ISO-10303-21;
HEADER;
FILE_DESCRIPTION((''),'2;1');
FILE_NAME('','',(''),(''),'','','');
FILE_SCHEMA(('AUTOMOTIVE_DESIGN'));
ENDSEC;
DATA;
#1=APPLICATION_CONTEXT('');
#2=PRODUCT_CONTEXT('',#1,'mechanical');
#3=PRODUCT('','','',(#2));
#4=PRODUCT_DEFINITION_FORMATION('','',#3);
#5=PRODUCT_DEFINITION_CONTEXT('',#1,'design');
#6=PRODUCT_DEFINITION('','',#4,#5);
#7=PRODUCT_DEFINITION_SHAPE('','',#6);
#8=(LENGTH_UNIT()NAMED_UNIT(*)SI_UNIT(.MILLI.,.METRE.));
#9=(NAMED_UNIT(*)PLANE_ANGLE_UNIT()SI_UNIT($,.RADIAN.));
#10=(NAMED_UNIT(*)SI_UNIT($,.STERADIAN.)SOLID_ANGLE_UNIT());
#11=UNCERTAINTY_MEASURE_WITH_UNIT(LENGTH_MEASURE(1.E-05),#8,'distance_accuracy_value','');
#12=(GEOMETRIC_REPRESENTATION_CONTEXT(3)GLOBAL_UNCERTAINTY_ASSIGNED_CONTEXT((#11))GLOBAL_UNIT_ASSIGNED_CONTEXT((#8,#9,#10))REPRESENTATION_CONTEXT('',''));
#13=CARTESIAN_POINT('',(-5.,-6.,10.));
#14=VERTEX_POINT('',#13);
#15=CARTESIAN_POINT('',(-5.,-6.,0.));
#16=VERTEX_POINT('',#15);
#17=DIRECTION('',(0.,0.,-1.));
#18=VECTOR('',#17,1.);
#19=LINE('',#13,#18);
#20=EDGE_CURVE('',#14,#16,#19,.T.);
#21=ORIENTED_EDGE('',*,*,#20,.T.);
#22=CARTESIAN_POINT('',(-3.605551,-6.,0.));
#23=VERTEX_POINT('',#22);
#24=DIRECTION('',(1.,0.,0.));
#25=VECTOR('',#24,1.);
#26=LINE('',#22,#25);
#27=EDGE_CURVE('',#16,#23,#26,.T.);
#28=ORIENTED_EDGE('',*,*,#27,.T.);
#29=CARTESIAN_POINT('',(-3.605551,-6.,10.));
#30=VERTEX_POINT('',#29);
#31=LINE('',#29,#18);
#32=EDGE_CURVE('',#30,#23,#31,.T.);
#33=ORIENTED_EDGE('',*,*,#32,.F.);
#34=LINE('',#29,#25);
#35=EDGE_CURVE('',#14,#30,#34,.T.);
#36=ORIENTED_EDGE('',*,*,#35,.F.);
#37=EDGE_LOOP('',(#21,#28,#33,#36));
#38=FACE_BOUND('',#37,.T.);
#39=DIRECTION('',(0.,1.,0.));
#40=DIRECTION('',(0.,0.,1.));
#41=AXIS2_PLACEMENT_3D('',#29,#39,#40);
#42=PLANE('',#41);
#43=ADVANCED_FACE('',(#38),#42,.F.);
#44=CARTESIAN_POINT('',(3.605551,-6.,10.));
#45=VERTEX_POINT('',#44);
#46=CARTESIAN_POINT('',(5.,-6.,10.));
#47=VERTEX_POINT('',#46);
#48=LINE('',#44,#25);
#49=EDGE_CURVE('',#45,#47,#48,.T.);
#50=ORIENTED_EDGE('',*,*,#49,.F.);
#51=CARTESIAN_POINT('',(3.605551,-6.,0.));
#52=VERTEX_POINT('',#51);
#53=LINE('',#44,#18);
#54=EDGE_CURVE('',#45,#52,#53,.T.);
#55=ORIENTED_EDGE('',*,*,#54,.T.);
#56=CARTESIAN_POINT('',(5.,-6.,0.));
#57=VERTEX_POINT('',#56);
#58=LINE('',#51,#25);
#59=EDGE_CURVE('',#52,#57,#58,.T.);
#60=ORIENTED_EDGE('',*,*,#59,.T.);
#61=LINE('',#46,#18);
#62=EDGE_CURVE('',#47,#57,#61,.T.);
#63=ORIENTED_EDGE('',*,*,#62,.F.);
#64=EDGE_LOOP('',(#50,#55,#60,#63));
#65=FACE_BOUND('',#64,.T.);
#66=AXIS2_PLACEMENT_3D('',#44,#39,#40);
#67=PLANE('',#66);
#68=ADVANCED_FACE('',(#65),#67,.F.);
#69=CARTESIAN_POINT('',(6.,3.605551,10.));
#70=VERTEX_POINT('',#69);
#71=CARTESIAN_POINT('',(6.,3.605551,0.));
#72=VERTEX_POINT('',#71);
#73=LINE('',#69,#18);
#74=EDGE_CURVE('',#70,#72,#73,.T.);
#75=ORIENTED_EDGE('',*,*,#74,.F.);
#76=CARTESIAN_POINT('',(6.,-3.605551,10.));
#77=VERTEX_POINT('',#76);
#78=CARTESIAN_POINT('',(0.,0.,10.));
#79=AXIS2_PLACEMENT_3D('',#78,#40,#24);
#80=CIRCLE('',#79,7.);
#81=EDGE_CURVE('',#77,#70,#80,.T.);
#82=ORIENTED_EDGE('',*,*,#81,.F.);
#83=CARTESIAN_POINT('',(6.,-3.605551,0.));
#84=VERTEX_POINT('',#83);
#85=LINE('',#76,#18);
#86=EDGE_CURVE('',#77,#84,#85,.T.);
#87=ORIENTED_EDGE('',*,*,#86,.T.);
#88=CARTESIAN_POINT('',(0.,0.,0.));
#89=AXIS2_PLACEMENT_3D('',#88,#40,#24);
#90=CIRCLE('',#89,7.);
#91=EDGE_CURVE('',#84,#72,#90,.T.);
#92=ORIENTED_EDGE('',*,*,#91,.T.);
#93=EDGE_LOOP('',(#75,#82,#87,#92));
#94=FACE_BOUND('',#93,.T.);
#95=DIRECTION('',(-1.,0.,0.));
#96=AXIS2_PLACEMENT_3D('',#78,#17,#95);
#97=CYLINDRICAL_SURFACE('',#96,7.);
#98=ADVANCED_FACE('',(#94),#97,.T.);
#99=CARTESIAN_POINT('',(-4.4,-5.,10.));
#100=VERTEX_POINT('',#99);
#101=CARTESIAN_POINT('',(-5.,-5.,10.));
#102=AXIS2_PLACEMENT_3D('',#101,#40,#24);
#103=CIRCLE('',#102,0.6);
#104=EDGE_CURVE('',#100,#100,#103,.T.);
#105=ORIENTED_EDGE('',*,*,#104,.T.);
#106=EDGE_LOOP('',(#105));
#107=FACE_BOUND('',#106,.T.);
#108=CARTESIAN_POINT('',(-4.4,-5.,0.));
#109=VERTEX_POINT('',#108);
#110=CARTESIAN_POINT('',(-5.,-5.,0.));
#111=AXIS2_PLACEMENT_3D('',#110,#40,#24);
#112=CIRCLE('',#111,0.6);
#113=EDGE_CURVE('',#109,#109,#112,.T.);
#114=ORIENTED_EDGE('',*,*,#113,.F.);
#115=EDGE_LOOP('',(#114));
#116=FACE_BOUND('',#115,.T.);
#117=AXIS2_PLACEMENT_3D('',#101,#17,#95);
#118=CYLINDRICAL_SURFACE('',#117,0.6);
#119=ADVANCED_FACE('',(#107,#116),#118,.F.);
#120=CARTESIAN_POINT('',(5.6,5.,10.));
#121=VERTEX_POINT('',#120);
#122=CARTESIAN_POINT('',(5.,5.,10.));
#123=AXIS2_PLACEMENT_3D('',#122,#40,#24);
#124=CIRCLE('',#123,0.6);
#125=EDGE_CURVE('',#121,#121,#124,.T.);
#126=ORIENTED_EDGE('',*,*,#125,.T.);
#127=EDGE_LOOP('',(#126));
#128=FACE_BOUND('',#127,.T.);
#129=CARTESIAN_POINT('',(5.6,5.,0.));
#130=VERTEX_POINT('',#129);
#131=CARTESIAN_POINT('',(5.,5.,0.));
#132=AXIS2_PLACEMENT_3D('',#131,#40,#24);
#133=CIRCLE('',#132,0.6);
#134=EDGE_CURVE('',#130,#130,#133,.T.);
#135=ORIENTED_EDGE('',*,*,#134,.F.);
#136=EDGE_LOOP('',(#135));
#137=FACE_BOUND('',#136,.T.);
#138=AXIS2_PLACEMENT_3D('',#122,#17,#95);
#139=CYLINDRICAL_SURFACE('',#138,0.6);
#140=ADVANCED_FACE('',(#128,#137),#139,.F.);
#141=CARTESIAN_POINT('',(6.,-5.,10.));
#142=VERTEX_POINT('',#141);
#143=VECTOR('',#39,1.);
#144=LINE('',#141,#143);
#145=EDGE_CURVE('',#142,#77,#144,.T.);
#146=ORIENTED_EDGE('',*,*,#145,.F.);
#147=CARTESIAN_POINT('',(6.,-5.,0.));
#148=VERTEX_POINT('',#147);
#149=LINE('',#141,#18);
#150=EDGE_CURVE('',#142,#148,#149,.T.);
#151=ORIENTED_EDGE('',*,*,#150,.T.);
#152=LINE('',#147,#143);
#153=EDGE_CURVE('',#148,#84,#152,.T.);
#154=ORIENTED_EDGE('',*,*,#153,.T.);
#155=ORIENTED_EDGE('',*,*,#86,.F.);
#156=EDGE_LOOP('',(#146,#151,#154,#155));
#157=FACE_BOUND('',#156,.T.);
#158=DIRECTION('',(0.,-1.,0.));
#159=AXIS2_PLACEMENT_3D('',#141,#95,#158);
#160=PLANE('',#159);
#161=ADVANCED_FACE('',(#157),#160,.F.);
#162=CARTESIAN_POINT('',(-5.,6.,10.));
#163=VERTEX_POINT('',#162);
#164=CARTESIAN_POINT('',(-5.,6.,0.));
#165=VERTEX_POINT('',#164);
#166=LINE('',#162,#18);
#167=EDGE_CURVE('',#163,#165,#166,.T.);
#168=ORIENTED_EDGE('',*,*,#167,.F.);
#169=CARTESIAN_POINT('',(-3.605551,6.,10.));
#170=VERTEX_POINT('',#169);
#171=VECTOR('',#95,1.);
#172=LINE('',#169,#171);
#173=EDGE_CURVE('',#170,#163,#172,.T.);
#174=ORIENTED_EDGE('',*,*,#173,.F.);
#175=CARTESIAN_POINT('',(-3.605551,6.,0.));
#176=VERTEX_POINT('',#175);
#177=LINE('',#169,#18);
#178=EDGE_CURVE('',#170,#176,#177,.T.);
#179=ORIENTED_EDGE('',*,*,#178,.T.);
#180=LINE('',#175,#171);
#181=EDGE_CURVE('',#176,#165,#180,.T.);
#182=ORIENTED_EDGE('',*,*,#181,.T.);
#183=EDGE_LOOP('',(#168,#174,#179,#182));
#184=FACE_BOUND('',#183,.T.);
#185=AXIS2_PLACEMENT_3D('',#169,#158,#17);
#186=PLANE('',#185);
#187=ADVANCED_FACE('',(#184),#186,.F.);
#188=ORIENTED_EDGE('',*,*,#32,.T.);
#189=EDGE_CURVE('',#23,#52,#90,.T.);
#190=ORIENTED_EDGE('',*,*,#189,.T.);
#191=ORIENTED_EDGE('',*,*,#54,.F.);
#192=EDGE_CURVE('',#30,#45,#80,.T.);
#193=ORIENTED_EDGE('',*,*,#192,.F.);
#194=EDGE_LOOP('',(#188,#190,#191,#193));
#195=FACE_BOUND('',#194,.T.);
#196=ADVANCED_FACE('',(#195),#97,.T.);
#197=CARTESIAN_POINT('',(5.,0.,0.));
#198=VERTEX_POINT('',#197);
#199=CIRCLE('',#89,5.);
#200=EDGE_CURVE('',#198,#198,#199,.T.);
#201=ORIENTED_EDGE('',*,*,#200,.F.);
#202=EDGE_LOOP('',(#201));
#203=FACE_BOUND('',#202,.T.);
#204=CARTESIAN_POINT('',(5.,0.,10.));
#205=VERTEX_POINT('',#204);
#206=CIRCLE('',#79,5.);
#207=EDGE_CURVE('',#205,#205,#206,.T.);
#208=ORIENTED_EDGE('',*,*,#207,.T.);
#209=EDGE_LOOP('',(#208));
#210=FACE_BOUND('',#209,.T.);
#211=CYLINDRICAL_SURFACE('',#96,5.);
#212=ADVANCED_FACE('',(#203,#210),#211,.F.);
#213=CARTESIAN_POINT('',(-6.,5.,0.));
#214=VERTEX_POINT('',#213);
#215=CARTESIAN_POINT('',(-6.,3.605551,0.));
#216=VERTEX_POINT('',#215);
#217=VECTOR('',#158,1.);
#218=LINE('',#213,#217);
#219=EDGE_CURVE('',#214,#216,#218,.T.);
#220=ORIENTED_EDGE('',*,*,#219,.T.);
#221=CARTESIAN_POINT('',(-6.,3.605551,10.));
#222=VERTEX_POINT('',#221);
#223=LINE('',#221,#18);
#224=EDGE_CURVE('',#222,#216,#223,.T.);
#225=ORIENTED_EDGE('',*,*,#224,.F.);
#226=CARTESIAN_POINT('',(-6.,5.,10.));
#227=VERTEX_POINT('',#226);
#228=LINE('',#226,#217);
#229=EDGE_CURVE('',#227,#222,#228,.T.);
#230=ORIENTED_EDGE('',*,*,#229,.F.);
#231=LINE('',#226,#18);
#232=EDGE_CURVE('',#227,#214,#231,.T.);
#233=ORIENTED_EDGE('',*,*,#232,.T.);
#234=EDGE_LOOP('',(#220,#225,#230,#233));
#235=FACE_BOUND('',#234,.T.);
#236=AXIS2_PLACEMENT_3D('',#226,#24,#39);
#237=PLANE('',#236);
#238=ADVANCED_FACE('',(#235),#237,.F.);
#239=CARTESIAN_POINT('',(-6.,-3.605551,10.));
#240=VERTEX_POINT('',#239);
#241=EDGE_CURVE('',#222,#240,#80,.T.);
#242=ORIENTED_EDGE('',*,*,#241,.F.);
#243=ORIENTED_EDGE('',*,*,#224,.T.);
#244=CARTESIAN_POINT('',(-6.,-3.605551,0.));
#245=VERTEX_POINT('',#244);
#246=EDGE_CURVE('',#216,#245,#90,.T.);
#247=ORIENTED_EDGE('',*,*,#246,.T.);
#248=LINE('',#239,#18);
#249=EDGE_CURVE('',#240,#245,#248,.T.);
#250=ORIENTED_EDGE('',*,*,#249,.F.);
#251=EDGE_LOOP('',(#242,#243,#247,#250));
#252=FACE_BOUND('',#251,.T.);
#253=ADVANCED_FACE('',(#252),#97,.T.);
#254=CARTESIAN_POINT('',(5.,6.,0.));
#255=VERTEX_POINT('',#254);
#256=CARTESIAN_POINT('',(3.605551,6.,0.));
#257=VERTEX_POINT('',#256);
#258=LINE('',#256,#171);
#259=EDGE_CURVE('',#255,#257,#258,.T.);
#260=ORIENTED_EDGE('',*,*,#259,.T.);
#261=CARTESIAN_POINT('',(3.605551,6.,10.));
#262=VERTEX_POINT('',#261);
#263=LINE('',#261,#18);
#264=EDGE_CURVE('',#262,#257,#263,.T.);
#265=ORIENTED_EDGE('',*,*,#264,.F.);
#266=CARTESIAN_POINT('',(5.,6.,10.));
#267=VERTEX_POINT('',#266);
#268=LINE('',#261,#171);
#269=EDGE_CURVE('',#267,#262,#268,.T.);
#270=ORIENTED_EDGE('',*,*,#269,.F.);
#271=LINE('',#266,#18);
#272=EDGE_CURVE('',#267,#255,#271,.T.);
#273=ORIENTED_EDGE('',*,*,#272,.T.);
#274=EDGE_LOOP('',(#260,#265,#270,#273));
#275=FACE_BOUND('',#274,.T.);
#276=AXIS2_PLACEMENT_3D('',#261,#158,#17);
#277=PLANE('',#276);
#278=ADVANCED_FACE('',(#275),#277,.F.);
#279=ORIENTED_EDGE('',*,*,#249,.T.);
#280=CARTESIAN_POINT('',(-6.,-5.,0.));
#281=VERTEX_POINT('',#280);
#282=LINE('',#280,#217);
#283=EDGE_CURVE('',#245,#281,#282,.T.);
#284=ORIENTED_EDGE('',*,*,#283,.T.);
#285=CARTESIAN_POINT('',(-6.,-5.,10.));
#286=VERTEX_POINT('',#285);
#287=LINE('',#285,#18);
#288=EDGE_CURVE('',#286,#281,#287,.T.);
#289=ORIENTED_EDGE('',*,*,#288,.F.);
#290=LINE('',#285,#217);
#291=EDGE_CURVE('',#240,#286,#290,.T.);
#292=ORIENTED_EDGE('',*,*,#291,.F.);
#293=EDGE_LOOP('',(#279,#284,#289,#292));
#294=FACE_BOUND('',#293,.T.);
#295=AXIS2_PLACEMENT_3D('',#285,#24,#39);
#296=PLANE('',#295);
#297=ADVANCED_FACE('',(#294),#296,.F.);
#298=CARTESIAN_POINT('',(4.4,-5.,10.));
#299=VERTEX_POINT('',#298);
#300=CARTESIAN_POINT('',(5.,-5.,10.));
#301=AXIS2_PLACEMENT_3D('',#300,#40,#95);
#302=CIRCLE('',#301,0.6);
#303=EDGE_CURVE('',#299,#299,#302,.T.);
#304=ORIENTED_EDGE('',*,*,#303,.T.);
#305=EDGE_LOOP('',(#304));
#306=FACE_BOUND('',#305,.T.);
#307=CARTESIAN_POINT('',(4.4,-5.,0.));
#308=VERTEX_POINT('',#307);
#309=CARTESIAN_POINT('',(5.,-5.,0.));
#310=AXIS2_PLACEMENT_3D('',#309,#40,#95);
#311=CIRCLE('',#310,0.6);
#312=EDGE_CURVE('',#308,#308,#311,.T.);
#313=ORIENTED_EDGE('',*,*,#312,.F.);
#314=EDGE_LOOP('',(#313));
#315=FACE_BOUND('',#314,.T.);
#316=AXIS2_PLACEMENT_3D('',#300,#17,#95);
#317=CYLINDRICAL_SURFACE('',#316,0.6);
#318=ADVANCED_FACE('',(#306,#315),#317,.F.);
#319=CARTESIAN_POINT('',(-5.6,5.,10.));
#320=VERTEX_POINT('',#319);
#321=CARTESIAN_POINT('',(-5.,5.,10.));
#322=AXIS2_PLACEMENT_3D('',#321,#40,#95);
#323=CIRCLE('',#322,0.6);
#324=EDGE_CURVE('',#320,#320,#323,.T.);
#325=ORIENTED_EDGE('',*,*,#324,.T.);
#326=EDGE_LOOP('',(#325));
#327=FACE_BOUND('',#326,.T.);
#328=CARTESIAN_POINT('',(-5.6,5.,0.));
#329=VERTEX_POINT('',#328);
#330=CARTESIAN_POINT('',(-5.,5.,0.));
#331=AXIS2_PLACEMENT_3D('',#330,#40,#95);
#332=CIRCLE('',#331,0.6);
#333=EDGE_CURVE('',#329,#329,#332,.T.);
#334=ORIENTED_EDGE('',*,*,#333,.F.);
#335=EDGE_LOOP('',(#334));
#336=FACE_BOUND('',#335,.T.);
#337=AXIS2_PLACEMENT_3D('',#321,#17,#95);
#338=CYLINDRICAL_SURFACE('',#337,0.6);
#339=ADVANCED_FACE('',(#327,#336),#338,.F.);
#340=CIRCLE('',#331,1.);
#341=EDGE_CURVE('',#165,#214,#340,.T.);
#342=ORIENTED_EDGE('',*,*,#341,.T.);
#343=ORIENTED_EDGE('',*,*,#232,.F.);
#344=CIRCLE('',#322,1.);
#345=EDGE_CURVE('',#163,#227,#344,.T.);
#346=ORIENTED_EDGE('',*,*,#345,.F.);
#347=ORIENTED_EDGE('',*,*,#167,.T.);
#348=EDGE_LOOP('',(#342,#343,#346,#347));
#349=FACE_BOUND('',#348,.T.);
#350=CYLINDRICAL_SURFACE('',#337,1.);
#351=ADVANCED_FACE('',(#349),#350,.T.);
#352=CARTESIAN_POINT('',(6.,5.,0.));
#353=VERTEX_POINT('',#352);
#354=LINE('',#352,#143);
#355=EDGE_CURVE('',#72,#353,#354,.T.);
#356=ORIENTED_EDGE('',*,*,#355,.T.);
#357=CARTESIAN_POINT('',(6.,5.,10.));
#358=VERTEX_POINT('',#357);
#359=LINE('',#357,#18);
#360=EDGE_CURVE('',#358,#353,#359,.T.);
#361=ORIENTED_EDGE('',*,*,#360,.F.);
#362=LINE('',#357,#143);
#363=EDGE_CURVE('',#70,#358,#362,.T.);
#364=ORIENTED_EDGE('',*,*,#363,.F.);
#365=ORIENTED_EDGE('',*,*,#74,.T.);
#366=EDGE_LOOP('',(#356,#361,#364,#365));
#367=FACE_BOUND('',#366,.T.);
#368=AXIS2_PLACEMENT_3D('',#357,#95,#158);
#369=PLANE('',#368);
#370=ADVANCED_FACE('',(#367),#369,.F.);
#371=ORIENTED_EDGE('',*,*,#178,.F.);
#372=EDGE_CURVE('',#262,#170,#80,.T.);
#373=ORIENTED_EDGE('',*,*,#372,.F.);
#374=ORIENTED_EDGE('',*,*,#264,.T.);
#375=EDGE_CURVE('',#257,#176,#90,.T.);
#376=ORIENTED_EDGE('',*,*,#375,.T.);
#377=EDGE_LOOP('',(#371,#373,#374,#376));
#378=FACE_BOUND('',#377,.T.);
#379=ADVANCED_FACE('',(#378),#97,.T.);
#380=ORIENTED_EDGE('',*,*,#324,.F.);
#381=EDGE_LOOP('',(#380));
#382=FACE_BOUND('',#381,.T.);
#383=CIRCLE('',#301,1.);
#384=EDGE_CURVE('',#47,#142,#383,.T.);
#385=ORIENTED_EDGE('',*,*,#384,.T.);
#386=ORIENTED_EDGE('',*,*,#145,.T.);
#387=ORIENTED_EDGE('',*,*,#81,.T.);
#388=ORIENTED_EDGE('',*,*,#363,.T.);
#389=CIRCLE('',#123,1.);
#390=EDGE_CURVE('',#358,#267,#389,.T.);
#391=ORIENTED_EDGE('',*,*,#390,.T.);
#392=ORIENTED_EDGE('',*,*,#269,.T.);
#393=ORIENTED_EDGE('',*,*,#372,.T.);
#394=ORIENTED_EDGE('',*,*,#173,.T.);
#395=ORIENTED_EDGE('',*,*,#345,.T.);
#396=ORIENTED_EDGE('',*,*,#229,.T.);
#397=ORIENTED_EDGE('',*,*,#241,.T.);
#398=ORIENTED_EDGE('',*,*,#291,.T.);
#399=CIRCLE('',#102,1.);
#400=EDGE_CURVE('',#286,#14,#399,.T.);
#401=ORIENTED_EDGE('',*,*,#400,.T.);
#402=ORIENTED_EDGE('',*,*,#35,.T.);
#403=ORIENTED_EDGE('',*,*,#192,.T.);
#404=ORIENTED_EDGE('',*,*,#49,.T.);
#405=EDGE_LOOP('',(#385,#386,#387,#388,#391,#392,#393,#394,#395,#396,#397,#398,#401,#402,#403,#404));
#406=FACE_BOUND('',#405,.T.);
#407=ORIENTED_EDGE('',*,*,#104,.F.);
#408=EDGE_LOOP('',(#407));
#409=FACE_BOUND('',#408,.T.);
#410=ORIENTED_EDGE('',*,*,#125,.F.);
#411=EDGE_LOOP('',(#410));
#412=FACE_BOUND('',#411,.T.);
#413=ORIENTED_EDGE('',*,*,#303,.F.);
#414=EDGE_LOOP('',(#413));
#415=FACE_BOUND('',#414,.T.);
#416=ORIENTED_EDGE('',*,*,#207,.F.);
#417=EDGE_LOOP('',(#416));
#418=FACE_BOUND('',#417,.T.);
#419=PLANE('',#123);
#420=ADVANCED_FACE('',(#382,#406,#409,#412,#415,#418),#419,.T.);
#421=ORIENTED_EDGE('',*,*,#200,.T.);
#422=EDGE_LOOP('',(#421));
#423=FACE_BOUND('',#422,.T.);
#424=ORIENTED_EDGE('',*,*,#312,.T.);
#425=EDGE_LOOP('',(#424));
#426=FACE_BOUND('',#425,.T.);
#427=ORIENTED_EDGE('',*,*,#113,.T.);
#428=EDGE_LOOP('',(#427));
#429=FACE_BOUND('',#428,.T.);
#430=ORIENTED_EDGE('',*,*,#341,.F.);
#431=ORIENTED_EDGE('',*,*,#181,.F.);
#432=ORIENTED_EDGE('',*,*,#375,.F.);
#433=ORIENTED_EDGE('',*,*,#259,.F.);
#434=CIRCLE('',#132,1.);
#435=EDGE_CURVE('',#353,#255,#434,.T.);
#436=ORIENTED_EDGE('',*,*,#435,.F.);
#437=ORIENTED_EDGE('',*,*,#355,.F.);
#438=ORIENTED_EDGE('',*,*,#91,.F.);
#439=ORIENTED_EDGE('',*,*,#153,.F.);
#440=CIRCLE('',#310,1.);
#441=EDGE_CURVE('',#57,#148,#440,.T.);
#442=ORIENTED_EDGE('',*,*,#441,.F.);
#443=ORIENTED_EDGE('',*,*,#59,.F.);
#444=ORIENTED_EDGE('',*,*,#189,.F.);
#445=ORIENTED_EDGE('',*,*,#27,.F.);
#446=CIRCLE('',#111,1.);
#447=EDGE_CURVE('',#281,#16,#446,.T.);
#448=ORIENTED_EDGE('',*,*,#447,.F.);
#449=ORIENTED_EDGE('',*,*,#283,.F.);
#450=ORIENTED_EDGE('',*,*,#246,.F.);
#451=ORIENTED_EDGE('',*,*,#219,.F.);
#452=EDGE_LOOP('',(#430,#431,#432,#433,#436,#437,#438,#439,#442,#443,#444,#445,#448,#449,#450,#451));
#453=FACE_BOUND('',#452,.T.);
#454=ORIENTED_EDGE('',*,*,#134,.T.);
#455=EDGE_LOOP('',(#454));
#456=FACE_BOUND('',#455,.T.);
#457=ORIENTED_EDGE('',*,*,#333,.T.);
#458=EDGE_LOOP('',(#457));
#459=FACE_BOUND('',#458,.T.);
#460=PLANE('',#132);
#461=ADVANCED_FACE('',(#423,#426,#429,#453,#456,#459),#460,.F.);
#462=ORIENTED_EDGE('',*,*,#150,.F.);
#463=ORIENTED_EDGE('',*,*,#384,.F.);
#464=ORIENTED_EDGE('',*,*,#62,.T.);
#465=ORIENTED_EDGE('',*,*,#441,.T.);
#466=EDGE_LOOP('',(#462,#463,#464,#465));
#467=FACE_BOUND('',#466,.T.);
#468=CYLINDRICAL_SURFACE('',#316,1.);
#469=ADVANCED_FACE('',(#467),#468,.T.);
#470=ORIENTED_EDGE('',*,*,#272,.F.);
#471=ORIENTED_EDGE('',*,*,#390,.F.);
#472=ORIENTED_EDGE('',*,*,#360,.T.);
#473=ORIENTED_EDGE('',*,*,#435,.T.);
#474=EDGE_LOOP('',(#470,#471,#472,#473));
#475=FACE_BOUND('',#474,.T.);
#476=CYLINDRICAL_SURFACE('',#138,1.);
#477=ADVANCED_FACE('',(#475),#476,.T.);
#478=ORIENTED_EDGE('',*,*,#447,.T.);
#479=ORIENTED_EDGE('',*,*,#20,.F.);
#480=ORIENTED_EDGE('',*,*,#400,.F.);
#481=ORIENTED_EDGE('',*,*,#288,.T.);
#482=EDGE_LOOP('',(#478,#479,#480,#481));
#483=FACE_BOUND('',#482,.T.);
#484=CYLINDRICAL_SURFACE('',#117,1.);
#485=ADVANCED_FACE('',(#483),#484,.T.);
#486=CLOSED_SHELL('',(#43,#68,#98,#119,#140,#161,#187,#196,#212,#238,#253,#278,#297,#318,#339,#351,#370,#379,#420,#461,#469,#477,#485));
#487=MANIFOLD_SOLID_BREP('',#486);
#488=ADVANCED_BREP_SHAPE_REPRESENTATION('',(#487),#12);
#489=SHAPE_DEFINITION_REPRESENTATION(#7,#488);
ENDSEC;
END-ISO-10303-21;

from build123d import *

# Parameters (mm, degrees)
SKETCH1_R           = 0.6
SKETCH1_R_2         = 5
BOSS_EXTRUDE1_DEPTH = 10


with BuildPart() as part:
    # Sketch1 → Boss-Extrude1 (new body)
    with BuildSketch(Plane.XY):
        with BuildLine():
            Line((3.605551275, 6), (5, 6))
            ThreePointArc((5, 6), (5.707106781, 5.707106781), (6, 5))
            Line((6, 5), (6, 3.605551275))
            ThreePointArc((6, 3.605551275), (7, 0), (6, -3.605551275))
            Line((6, -3.605551275), (6, -5))
            ThreePointArc((6, -5), (5.707106781, -5.707106781), (5, -6))
            Line((5, -6), (3.605551275, -6))
            ThreePointArc((3.605551275, -6), (0, -7), (-3.605551275, -6))
            Line((-3.605551275, -6), (-5, -6))
            ThreePointArc((-5, -6), (-5.707106781, -5.707106781), (-6, -5))
            Line((-6, -5), (-6, -3.605551275))
            ThreePointArc((-6, -3.605551275), (-7, 0), (-6, 3.605551275))
            Line((-6, 3.605551275), (-6, 5))
            ThreePointArc((-6, 5), (-5.707106781, 5.707106781), (-5, 6))
            Line((-5, 6), (-3.605551275, 6))
            ThreePointArc((-3.605551275, 6), (0, 7), (3.605551275, 6))
        make_face()
        with Locations((5, 5)):
            Circle(SKETCH1_R, mode=Mode.SUBTRACT)
        with Locations(Location((-5, 5, 0), (0, 0, 180))):
            Circle(SKETCH1_R, mode=Mode.SUBTRACT)
        with Locations(Location((5, -5, 0), (0, 0, 180))):
            Circle(SKETCH1_R, mode=Mode.SUBTRACT)
        with Locations((-5, -5)):
            Circle(SKETCH1_R, mode=Mode.SUBTRACT)
        Circle(SKETCH1_R_2, mode=Mode.SUBTRACT)
    extrude(amount=BOSS_EXTRUDE1_DEPTH)


solid = part.part
